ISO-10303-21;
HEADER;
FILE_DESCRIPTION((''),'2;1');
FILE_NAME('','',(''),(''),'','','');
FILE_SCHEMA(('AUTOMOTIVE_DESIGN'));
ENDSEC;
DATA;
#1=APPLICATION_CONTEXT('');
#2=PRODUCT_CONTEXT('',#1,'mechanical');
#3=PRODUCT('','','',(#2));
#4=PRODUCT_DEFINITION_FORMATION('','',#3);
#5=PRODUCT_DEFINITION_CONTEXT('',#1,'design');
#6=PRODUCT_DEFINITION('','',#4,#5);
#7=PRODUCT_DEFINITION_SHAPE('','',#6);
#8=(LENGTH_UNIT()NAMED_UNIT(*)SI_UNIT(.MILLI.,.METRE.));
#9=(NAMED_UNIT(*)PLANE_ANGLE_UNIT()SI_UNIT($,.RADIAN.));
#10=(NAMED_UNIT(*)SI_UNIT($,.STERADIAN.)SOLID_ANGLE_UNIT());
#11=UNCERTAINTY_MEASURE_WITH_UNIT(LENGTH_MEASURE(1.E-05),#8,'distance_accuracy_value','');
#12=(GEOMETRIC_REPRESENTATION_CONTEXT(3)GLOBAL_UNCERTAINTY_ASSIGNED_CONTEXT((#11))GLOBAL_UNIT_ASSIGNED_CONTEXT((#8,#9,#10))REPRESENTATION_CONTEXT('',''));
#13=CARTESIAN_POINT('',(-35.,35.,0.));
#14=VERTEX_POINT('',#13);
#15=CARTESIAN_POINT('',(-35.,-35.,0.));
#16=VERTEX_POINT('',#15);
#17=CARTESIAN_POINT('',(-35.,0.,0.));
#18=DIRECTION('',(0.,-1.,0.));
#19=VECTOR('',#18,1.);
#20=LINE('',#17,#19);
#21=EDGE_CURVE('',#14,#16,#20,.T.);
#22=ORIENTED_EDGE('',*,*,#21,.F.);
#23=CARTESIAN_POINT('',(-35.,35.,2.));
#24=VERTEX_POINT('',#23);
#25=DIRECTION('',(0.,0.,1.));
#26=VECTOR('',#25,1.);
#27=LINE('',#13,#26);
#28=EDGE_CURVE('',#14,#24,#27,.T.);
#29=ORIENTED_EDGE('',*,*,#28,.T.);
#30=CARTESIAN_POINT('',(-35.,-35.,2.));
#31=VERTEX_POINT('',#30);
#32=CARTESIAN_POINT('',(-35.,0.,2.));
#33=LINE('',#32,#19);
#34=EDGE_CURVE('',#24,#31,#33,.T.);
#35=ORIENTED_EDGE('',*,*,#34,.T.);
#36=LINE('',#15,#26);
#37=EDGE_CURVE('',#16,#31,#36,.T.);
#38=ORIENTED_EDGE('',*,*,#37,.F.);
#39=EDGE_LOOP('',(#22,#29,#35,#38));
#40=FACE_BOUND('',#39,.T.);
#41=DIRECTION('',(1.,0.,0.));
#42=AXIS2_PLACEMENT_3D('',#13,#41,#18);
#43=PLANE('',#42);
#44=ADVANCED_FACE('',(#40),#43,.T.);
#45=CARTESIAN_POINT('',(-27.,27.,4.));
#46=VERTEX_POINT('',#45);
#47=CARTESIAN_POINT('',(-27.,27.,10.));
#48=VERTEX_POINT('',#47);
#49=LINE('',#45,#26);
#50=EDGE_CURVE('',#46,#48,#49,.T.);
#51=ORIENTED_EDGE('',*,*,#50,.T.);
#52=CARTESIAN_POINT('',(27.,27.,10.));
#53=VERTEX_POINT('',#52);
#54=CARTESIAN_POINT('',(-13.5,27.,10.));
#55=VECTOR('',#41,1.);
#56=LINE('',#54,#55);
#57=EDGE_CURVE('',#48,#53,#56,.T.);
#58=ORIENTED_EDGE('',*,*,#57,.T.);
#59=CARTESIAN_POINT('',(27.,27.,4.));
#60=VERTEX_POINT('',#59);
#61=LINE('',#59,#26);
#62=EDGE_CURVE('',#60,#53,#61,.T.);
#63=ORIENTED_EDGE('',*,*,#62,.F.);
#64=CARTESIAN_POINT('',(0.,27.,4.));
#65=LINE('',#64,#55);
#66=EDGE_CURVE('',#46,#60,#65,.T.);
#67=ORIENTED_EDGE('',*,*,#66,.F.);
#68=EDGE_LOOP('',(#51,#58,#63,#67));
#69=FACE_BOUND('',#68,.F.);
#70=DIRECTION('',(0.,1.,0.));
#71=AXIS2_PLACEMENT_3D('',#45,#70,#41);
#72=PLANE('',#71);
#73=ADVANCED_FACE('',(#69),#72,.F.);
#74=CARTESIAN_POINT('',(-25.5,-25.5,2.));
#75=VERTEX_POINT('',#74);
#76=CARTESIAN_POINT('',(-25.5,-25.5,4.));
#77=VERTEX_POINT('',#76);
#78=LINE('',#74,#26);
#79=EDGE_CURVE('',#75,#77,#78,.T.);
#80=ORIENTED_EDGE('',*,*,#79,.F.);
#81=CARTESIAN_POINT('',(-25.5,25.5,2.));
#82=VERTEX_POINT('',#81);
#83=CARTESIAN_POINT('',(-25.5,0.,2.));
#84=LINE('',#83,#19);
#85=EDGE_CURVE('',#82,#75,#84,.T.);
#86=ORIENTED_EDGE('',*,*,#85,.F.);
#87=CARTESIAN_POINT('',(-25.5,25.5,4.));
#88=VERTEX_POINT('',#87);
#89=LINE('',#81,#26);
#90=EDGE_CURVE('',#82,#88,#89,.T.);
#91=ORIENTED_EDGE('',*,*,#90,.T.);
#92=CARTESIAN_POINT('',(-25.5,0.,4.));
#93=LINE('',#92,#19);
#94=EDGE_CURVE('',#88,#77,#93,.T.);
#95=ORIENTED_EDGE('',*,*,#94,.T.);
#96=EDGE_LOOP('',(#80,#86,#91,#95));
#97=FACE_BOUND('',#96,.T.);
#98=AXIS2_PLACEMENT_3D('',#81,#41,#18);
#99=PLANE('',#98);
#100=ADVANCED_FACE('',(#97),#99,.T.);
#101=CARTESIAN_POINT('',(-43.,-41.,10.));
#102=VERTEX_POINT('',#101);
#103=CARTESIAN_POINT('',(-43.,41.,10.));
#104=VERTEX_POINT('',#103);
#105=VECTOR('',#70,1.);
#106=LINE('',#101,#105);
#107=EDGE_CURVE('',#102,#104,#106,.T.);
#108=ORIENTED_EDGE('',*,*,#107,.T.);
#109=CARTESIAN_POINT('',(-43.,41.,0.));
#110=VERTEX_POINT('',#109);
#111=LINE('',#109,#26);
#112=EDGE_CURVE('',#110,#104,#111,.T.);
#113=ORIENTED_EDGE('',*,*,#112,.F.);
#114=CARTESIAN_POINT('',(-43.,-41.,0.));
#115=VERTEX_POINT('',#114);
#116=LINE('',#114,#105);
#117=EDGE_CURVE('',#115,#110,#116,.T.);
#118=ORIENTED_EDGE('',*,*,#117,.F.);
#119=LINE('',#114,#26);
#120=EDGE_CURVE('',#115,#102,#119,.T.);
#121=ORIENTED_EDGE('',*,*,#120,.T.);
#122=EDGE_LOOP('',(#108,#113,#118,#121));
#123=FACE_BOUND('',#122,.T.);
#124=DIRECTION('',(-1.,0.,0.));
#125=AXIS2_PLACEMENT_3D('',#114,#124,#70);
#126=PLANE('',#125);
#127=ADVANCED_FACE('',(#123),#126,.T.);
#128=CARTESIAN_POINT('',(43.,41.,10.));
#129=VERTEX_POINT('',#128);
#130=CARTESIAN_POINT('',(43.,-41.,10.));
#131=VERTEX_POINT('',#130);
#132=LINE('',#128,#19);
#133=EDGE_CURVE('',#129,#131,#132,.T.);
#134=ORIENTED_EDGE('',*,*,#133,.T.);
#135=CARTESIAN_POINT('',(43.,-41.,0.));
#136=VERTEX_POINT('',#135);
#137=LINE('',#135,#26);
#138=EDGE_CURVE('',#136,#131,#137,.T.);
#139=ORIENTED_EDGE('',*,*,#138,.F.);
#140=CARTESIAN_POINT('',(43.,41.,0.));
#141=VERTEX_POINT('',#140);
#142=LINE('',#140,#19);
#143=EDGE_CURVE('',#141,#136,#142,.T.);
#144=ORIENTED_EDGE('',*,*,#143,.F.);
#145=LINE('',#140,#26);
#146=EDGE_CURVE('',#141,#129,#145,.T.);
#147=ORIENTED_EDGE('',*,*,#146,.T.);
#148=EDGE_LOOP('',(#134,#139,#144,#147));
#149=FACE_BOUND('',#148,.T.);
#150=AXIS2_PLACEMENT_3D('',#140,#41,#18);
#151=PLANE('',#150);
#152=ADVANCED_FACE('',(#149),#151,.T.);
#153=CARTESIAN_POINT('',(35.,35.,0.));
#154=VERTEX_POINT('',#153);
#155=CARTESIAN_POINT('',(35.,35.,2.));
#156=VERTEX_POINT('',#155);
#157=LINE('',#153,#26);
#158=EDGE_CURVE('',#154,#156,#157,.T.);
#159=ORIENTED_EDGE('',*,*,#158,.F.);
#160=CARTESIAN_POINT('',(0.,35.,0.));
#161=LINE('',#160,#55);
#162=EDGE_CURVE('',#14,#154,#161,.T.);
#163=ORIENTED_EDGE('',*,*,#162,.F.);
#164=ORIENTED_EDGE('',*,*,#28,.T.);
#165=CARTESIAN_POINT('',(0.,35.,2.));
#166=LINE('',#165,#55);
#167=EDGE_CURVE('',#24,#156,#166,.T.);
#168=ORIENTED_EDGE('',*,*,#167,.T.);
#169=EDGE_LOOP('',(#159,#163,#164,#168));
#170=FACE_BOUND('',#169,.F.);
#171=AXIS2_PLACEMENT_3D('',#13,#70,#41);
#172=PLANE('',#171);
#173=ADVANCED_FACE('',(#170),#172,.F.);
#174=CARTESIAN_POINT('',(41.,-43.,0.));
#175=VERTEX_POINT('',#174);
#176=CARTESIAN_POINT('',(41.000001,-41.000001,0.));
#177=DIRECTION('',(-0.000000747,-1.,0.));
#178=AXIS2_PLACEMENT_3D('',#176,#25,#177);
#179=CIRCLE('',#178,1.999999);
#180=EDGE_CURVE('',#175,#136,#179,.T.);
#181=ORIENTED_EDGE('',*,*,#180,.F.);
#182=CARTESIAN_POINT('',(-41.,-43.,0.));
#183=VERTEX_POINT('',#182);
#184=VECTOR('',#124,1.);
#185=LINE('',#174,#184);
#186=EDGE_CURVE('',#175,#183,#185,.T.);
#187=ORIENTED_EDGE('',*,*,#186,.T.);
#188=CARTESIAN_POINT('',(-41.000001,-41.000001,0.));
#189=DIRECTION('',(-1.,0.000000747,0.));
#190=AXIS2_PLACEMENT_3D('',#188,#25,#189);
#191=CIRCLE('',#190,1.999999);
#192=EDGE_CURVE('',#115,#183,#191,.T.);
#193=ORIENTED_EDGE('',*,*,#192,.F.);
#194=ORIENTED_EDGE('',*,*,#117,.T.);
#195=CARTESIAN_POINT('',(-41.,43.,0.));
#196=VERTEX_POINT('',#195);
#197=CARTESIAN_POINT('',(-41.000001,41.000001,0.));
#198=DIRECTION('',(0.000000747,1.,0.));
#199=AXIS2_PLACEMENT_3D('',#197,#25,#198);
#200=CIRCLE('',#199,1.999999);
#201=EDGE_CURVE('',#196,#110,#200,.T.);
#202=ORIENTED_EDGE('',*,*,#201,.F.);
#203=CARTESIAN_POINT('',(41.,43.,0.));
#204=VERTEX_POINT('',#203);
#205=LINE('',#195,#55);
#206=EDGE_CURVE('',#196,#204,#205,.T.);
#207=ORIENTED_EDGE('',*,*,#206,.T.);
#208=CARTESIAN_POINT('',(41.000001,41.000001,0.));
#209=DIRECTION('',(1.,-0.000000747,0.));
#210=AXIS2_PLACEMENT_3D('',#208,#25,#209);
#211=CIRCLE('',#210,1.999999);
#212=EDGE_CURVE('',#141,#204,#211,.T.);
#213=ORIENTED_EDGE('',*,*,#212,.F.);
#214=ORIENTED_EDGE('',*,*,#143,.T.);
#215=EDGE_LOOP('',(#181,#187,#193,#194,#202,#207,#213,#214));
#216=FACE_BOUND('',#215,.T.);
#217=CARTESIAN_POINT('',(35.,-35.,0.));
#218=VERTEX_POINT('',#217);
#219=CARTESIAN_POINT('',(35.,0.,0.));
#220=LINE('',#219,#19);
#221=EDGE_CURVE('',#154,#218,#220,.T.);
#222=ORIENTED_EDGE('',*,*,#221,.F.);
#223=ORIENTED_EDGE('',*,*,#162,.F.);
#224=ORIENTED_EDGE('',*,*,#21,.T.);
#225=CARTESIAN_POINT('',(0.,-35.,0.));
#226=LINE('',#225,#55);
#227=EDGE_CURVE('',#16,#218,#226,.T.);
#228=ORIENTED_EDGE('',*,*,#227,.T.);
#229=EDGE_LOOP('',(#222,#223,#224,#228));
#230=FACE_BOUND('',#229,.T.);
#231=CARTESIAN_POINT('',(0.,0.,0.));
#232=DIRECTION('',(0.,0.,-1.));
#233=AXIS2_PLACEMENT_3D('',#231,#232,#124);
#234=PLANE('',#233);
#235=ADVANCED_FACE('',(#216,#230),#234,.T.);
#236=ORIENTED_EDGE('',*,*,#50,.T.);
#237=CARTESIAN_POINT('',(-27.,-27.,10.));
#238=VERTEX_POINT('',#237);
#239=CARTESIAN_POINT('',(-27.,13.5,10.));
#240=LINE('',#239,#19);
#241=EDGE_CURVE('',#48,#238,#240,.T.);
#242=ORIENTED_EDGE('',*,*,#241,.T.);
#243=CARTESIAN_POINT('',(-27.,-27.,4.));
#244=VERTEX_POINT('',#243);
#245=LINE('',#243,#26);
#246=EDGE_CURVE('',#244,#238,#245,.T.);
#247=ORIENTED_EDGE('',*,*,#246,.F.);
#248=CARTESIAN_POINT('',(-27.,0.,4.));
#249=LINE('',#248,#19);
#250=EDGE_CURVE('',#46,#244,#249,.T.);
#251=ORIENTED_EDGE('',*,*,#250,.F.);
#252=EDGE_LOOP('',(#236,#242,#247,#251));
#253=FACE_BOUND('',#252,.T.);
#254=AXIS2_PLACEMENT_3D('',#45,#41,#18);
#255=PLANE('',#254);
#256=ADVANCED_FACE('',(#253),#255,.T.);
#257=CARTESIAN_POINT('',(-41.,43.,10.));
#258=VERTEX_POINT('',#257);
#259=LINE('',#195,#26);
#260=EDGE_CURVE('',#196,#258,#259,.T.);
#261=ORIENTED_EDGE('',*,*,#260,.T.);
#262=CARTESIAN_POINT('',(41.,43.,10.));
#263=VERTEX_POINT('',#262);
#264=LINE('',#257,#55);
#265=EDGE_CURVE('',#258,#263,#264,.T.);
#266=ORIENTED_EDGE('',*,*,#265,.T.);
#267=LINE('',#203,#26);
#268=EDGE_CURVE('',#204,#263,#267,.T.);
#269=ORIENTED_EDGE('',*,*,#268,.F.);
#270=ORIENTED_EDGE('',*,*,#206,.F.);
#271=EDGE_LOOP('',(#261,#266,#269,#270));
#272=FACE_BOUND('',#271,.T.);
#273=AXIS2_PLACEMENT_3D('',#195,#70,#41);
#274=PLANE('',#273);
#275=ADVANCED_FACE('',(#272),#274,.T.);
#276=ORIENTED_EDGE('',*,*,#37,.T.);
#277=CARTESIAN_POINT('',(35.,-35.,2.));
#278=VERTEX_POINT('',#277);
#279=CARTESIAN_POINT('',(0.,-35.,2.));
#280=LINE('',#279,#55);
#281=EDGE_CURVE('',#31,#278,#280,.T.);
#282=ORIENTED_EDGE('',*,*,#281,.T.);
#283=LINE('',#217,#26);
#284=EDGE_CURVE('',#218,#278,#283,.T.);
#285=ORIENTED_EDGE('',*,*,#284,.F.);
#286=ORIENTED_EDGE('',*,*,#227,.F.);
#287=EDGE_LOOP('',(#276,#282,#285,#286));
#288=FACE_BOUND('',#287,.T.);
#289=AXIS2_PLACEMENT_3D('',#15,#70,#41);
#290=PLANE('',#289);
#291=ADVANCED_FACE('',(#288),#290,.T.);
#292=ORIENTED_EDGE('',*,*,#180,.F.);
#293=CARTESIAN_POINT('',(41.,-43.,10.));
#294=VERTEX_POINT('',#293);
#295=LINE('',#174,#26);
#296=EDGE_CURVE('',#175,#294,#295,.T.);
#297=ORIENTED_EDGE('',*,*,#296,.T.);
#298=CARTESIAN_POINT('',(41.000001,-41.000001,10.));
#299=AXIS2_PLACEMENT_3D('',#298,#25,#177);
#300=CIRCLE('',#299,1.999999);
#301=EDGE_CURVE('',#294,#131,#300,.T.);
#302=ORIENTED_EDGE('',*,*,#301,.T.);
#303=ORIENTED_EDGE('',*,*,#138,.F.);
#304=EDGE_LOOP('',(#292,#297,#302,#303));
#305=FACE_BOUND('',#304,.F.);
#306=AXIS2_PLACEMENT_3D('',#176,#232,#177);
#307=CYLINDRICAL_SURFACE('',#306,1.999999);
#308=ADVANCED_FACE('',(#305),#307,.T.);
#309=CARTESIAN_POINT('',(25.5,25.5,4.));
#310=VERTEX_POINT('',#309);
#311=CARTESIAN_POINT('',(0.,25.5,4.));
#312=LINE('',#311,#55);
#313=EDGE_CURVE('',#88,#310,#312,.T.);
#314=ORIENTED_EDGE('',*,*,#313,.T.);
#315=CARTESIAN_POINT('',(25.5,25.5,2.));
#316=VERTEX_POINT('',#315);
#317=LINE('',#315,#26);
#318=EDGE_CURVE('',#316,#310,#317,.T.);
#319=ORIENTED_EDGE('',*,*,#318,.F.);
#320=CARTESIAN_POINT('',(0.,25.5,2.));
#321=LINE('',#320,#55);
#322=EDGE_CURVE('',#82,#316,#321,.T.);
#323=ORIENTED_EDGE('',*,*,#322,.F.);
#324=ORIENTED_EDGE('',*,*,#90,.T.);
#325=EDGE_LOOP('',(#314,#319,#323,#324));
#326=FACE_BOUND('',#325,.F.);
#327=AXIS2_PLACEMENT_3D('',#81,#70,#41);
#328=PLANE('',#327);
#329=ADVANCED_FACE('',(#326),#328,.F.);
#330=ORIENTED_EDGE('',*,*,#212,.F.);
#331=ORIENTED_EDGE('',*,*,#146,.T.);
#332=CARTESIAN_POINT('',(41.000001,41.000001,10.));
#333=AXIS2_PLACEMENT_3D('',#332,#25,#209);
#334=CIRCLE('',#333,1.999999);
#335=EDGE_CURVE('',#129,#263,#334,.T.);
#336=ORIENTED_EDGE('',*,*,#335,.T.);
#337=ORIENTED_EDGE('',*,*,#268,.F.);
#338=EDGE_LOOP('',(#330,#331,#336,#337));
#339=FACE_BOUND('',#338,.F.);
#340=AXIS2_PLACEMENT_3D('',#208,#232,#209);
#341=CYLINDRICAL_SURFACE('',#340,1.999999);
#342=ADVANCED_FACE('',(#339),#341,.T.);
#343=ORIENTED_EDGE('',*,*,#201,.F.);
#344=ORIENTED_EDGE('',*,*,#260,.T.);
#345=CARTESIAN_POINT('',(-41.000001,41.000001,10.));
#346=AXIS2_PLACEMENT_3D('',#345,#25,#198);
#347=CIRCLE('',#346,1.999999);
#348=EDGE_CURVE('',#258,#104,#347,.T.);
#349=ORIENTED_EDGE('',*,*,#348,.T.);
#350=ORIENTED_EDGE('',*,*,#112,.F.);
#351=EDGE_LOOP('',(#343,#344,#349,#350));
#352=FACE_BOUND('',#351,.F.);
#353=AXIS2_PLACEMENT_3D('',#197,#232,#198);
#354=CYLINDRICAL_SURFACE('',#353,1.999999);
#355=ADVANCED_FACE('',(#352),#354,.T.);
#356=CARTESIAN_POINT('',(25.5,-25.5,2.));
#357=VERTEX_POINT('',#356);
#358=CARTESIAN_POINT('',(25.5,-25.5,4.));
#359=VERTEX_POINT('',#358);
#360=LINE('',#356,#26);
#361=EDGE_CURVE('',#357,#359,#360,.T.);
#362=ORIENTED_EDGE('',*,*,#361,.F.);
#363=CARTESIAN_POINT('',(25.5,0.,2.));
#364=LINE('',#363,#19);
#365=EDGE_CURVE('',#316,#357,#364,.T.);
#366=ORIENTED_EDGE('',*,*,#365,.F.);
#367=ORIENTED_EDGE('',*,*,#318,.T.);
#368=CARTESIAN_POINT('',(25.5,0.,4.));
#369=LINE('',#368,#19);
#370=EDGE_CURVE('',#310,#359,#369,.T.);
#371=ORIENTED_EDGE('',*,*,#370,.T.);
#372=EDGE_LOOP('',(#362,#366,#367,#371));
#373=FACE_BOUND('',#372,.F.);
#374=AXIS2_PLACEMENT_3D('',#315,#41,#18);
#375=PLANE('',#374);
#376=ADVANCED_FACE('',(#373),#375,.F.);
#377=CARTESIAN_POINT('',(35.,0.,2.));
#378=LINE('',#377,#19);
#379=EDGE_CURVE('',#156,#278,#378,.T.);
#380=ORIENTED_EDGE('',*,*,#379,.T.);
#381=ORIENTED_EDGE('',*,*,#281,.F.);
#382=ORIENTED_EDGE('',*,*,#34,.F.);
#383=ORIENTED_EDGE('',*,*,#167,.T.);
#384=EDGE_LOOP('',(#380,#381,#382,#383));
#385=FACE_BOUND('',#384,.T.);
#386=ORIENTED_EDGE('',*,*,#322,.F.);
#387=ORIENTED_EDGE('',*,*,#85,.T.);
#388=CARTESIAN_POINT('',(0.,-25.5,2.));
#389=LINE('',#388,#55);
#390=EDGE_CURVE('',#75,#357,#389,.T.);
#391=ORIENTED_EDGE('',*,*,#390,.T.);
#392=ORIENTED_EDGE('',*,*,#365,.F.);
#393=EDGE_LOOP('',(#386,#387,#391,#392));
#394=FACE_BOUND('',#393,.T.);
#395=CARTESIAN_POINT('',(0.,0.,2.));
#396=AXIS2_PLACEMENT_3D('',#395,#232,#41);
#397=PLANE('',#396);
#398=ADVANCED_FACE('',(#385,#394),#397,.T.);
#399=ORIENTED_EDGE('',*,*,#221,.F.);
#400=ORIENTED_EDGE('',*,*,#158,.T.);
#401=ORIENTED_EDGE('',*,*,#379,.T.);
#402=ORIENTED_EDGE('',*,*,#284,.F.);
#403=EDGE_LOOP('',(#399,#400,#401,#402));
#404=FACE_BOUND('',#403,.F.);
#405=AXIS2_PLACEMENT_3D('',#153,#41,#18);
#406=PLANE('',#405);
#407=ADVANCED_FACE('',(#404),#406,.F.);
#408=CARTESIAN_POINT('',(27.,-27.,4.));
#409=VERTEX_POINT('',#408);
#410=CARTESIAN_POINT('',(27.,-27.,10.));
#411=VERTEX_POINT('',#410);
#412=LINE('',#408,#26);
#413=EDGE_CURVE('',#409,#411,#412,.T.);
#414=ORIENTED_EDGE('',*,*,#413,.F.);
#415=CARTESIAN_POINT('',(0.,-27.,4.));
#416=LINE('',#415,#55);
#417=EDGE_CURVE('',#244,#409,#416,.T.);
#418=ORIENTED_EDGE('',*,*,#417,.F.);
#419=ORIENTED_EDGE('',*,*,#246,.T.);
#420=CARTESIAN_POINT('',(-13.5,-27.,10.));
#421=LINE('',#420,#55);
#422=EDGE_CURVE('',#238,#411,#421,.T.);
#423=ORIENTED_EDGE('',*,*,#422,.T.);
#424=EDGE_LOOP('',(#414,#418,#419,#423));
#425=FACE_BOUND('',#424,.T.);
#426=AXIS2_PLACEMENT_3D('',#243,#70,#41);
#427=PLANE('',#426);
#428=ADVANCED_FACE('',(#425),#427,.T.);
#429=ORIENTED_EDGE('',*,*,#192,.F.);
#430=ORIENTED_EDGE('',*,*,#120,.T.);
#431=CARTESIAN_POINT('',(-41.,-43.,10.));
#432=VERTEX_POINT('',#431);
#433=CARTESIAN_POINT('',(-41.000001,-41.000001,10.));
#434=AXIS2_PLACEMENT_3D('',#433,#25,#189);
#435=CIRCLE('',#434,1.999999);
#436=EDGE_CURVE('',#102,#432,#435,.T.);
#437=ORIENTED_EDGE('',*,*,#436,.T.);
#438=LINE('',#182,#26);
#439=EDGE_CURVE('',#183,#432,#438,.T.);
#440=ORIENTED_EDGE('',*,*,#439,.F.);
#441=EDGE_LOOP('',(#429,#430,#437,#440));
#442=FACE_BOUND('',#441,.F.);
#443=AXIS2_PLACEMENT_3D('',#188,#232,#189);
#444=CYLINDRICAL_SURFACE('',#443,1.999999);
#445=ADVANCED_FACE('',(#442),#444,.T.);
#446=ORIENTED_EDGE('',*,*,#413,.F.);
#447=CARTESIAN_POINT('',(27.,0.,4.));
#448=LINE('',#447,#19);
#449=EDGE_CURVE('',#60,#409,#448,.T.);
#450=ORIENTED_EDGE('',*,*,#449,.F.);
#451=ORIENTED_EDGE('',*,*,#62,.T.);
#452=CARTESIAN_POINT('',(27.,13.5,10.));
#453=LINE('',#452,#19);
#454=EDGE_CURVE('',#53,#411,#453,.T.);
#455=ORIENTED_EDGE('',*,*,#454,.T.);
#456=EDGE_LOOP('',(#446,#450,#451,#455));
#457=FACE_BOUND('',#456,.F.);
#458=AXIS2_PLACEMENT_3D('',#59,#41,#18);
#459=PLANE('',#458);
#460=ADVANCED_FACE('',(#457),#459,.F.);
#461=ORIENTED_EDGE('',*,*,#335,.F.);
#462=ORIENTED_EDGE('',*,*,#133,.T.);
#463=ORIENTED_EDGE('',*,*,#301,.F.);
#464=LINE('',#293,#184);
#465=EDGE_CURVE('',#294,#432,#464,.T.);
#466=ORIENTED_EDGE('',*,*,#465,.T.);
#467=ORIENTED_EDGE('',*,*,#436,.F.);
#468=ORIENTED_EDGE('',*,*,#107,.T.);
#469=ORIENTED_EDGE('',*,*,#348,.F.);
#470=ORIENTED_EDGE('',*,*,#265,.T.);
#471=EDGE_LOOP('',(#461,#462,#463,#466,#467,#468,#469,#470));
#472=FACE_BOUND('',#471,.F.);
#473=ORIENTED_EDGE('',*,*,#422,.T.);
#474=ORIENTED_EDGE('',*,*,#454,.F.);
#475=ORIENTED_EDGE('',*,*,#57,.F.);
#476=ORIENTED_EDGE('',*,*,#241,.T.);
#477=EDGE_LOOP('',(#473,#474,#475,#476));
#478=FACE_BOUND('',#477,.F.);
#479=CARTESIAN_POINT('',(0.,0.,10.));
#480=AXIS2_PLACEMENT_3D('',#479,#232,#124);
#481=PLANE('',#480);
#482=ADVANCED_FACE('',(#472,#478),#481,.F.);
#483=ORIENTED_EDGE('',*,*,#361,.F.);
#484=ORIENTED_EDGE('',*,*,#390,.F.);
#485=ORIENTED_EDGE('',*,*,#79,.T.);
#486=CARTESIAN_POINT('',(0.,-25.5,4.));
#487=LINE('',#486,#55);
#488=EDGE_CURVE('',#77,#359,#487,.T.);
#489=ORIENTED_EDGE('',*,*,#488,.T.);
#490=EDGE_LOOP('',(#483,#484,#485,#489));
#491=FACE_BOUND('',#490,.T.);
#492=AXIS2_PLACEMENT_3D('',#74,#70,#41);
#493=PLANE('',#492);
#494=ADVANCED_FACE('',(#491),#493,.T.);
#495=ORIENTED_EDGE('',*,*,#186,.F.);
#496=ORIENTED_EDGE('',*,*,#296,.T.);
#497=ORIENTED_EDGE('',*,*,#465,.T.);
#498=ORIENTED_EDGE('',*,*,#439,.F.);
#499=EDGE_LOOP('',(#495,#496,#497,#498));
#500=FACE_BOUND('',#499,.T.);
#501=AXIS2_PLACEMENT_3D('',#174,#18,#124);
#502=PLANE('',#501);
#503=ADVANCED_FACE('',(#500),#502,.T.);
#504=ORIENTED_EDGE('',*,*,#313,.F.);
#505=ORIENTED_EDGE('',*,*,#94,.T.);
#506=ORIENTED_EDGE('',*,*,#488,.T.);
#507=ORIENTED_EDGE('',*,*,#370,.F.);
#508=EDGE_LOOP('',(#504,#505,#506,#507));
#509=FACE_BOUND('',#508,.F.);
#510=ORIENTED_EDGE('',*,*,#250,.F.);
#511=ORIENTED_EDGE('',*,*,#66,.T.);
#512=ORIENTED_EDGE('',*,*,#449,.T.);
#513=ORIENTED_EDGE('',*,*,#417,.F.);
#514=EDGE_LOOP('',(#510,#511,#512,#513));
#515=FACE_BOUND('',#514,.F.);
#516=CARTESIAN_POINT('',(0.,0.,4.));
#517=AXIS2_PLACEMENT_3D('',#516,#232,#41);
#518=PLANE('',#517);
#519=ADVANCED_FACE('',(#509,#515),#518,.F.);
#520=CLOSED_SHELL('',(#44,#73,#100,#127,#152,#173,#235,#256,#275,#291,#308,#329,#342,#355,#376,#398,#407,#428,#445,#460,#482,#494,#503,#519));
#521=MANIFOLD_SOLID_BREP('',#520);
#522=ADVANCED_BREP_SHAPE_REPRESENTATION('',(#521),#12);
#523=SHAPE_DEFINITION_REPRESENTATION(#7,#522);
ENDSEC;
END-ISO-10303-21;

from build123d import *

# Parameters (mm, degrees)
PAD_DEPTH       = 10
SKETCH001_W     = 70
SKETCH001_H     = 70
POCKET_DEPTH    = 2
SKETCH002_W     = 51
SKETCH002_H     = 51
POCKET001_DEPTH = 2
SKETCH003_W     = 54
SKETCH003_H     = 54
POCKET002_DEPTH = 6.001


with BuildPart() as part:
    # Sketch → Pad (new body)
    with BuildSketch(Plane.XY):
        with BuildLine():
            Line((-41, 43), (41, 43))
            ThreePointArc((43, 41), (42.414214, 42.414214), (41, 43))
            Line((43, 41), (43, -41))
            ThreePointArc((41, -43), (42.414214, -42.414214), (43, -41))
            Line((41, -43), (-41, -43))
            ThreePointArc((-43, -41), (-42.414214, -42.414214), (-41, -43))
            Line((-43, -41), (-43, 41))
            ThreePointArc((-41, 43), (-42.414214, 42.414214), (-43, 41))
        make_face()
    extrude(amount=PAD_DEPTH)

    # Sketch001 (on Face9 of Pad) → Pocket (cut)
    with BuildSketch(Plane(origin=(0, 0, 0), x_dir=(1, 0, 0), z_dir=(0, 0, -1))):
        Rectangle(SKETCH001_W, SKETCH001_H)
    extrude(amount=-POCKET_DEPTH, mode=Mode.SUBTRACT)

    # Sketch002 (on Face15 of Pocket) → Pocket001 (cut)
    with BuildSketch(Plane(origin=(0, 0, 2), x_dir=(1, 0, 0), z_dir=(0, 0, -1))):
        Rectangle(SKETCH002_W, SKETCH002_H)
    extrude(amount=-POCKET001_DEPTH, mode=Mode.SUBTRACT)

    # Sketch003 (on Face20 of Pocket001) → Pocket002 (cut, through all)
    with BuildSketch(Plane(origin=(0, 0, 4), x_dir=(1, 0, 0), z_dir=(0, 0, -1))):
        Rectangle(SKETCH003_W, SKETCH003_H)
    extrude(amount=-POCKET002_DEPTH, mode=Mode.SUBTRACT)


solid = part.part
